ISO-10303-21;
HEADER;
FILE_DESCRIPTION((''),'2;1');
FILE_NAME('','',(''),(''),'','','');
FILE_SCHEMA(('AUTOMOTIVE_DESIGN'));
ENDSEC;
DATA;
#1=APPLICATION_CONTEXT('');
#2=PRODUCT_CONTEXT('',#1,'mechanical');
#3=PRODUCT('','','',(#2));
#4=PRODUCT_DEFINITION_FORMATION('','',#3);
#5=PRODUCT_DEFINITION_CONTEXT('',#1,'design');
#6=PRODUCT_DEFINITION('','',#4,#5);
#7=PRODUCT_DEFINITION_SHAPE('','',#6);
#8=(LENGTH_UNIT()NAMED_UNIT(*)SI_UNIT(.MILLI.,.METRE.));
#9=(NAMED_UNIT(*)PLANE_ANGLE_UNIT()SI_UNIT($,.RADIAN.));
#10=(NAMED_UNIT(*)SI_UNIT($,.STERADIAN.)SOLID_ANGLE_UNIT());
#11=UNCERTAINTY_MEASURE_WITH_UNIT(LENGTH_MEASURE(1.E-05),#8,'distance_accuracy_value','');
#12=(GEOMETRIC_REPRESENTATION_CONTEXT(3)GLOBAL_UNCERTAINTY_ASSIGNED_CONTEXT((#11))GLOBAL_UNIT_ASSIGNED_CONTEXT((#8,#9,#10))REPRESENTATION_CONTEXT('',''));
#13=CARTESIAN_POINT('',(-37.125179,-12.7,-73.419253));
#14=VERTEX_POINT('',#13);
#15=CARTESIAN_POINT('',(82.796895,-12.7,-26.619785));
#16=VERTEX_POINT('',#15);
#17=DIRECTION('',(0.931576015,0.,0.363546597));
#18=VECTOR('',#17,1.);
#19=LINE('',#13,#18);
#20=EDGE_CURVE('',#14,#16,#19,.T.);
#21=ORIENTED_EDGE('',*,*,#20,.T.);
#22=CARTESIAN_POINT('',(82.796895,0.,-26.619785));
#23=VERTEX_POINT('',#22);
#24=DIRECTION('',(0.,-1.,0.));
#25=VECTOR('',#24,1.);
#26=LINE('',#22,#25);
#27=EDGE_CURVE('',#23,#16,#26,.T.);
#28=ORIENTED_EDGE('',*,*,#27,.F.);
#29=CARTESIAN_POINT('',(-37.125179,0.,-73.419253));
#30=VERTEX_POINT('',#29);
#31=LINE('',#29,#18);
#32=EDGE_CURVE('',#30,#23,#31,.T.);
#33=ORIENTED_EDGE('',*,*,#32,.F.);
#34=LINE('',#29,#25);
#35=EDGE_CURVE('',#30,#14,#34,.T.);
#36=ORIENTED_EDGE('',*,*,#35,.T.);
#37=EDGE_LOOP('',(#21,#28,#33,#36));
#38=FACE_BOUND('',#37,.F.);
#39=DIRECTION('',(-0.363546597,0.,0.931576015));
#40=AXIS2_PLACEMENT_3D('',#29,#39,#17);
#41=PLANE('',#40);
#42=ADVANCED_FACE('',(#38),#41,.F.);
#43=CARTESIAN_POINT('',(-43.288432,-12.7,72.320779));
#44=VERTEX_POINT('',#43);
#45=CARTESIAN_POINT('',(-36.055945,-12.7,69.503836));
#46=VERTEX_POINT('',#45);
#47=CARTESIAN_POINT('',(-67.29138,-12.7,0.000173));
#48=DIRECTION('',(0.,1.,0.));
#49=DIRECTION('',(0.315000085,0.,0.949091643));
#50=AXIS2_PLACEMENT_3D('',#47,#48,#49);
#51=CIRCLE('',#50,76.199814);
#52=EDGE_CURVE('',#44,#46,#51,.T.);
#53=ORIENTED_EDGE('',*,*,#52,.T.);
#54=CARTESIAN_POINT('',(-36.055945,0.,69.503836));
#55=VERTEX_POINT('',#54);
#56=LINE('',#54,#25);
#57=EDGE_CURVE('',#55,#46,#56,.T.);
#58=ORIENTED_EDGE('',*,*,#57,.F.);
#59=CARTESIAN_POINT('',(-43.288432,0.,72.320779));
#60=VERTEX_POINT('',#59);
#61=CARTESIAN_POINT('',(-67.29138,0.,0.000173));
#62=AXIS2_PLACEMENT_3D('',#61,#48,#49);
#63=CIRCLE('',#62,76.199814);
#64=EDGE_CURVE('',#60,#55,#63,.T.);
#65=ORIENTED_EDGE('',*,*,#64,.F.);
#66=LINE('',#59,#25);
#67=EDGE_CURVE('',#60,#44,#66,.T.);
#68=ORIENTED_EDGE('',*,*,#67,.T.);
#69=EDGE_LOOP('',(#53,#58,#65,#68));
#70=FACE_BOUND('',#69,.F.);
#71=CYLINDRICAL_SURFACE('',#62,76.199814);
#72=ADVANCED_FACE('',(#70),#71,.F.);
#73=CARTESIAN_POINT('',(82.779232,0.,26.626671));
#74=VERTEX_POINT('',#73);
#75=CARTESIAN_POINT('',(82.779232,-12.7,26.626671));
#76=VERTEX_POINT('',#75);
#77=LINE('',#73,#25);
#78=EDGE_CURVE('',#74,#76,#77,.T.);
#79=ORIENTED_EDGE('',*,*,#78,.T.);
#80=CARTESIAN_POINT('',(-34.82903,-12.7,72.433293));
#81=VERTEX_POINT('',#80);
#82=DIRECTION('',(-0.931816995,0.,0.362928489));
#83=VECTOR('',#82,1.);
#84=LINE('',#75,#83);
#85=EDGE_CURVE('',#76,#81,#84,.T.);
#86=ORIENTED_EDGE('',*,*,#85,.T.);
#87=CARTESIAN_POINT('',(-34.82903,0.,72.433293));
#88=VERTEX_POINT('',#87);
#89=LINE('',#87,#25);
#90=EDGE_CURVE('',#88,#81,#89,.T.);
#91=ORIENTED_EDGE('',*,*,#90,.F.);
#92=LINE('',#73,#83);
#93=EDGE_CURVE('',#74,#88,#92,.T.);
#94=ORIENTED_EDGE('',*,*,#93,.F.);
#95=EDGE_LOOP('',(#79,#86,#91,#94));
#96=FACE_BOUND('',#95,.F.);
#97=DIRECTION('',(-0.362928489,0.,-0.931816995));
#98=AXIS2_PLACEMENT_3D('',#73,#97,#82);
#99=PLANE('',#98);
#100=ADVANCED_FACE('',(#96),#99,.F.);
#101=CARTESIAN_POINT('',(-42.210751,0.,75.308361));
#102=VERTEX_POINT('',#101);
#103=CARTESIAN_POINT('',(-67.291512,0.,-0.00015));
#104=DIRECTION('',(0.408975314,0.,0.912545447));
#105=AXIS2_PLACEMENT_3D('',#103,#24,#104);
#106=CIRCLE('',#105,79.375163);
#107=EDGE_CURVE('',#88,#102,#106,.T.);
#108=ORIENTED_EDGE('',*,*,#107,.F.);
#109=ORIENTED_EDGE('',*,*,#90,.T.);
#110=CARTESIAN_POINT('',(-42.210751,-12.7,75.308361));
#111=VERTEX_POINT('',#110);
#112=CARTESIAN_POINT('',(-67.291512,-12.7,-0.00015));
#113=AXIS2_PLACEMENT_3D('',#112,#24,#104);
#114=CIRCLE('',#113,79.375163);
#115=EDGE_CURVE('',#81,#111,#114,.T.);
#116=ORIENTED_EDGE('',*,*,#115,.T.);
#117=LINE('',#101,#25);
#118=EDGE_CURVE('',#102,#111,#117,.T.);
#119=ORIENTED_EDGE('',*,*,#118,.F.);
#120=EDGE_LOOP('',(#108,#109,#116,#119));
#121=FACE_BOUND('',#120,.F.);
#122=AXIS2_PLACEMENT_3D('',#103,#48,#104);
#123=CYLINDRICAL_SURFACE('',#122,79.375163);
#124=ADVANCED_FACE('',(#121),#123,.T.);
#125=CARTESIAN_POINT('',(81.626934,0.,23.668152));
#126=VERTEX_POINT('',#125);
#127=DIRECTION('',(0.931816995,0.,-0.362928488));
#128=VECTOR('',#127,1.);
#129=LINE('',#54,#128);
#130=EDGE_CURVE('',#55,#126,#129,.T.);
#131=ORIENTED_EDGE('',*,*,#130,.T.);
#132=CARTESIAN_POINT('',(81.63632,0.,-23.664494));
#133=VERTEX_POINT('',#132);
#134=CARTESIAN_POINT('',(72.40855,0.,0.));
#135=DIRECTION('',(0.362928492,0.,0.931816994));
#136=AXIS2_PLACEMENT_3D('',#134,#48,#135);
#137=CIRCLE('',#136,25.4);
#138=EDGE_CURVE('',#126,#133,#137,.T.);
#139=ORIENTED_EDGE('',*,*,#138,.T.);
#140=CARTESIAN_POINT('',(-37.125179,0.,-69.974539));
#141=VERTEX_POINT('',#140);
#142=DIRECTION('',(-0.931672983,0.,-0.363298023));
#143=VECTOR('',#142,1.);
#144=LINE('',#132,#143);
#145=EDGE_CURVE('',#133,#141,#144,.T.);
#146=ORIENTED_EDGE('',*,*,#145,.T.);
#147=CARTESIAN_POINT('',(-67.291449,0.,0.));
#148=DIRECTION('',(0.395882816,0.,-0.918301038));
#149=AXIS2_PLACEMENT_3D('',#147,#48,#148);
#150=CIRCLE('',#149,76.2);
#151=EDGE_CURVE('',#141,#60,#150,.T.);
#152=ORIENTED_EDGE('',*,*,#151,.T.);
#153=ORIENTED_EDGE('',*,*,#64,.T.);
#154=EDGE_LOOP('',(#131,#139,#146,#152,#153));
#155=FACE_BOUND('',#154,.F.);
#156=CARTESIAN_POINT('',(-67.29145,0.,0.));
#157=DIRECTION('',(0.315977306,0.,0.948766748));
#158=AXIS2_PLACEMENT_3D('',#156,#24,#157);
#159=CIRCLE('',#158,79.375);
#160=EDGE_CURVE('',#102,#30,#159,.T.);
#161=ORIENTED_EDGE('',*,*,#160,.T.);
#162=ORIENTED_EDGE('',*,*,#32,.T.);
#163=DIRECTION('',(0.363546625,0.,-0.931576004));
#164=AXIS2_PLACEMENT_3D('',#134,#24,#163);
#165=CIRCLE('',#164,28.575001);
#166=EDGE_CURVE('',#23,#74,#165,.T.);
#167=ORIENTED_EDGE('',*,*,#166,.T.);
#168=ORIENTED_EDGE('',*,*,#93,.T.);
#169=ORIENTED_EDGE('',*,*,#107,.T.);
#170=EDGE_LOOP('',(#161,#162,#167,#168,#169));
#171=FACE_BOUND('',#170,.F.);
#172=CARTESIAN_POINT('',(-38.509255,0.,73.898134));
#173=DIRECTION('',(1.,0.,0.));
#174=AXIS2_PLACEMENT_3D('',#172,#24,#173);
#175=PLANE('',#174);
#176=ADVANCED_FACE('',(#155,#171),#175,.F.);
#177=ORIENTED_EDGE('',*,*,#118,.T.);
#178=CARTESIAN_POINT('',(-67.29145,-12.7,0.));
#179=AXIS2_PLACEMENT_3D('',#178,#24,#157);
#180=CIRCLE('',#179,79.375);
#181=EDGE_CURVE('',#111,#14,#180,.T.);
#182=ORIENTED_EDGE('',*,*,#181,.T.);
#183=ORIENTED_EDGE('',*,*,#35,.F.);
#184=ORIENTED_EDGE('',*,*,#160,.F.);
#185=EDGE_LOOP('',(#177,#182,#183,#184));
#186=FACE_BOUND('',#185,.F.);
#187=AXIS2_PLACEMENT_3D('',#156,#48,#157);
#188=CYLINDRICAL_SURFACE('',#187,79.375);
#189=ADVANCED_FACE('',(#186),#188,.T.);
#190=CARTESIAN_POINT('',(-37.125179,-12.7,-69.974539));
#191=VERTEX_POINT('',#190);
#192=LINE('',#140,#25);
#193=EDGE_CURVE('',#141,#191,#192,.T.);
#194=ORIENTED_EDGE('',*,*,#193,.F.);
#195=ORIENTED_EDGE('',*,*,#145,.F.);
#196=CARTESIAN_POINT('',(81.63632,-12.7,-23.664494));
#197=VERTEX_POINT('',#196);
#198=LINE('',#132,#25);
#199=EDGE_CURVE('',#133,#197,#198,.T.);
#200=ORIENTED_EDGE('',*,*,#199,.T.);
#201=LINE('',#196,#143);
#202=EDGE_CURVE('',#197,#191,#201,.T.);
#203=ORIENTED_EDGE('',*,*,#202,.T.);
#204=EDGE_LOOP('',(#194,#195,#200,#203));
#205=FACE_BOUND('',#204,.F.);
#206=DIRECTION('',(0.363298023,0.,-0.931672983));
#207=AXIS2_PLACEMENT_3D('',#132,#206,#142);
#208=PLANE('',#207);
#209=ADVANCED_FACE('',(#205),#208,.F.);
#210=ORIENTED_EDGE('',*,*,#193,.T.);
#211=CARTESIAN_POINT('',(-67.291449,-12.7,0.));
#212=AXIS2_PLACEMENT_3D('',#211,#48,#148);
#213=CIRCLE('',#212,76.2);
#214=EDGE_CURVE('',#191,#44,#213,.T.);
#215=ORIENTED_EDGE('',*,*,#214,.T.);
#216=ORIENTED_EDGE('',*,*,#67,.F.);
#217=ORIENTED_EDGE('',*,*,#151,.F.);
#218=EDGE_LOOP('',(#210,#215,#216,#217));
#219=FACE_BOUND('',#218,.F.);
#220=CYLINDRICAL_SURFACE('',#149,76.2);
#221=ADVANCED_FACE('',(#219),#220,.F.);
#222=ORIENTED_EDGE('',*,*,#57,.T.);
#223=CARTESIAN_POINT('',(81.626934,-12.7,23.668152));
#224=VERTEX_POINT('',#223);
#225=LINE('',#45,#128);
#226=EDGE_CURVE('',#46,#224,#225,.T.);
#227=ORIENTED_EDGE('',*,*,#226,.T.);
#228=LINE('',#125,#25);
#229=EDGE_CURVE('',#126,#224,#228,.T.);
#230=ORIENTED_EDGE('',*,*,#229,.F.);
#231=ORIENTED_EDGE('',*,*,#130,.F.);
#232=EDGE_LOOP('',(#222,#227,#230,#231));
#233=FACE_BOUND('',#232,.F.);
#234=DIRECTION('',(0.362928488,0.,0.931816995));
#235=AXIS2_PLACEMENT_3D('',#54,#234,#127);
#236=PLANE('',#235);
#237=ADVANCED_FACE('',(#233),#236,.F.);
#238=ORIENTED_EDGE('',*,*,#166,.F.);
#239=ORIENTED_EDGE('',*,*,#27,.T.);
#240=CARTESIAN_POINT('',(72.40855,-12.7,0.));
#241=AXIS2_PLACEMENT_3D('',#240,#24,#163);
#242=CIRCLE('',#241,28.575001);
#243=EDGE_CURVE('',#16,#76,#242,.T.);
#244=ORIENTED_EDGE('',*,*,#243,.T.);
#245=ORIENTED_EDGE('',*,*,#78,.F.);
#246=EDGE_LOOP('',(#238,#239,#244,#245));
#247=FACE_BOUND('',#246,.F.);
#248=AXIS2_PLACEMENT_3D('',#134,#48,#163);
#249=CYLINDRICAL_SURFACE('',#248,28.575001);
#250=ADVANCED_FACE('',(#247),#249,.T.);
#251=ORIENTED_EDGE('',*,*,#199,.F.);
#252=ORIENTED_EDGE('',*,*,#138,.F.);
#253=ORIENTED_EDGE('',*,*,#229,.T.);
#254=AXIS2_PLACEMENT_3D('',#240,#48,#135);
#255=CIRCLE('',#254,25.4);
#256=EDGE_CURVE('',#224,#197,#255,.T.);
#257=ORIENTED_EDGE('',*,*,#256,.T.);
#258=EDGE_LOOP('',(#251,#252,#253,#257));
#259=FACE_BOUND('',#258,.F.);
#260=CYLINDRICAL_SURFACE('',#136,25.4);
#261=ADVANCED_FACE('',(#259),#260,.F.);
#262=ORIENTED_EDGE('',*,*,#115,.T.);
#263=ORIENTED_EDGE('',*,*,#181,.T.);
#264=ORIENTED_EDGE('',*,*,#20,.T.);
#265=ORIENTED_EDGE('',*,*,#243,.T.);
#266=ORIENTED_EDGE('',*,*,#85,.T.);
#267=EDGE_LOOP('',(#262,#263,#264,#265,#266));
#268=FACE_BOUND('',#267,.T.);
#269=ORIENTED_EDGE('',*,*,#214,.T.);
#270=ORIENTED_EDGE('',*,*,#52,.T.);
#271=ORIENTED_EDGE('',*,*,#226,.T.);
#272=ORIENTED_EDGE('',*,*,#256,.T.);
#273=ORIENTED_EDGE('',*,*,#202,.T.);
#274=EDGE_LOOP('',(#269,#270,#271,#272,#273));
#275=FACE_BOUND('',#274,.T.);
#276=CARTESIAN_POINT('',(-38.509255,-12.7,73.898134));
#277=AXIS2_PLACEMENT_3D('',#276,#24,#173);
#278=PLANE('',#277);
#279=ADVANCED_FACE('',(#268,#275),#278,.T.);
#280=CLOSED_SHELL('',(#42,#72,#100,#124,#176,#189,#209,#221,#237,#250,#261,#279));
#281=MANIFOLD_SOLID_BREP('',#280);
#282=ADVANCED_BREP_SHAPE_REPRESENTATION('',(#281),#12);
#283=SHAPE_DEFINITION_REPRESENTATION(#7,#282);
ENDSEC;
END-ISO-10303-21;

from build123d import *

# Parameters (mm, degrees)
F1_DEPTH = 12.7


with BuildPart() as f1:
    # F0 (on Front) → F1 (new body)
    with BuildSketch(Plane.XZ):
        with BuildLine():
            Line((-42.210751, 75.308361), (-34.82903, 72.433293))
            ThreePointArc((-34.82903, 72.433293), (-38.484001, 73.962974), (-42.210751, 75.308361))
        make_face()
        with BuildLine():
            Line((82.779232, 26.626671), (-34.82903, 72.433293))
            Line((-34.82903, 72.433293), (-42.210751, 75.308361))
            ThreePointArc((-42.210751, 75.308361), (-146.620087, -2.712553), (-37.125179, -73.419253))
            Line((-37.125179, -73.419253), (82.796895, -26.619785))
            ThreePointArc((82.796895, -26.619785), (100.983549, 0.009479), (82.779232, 26.626671))
        make_face()
        with BuildLine():
            ThreePointArc((-43.288432, 72.320779), (-39.636299, 71.004455), (-36.055945, 69.503836))
            Line((-36.055945, 69.503836), (81.626934, 23.668152))
            ThreePointArc((81.626934, 23.668152), (97.80855, 0.005037), (81.63632, -23.664494))
            Line((81.63632, -23.664494), (-37.125179, -69.974539))
            ThreePointArc((-37.125179, -69.974539), (-143.420073, -3.297367), (-43.288432, 72.320779))
        make_face(mode=Mode.SUBTRACT)
    extrude(amount=F1_DEPTH)


solid = f1.part
